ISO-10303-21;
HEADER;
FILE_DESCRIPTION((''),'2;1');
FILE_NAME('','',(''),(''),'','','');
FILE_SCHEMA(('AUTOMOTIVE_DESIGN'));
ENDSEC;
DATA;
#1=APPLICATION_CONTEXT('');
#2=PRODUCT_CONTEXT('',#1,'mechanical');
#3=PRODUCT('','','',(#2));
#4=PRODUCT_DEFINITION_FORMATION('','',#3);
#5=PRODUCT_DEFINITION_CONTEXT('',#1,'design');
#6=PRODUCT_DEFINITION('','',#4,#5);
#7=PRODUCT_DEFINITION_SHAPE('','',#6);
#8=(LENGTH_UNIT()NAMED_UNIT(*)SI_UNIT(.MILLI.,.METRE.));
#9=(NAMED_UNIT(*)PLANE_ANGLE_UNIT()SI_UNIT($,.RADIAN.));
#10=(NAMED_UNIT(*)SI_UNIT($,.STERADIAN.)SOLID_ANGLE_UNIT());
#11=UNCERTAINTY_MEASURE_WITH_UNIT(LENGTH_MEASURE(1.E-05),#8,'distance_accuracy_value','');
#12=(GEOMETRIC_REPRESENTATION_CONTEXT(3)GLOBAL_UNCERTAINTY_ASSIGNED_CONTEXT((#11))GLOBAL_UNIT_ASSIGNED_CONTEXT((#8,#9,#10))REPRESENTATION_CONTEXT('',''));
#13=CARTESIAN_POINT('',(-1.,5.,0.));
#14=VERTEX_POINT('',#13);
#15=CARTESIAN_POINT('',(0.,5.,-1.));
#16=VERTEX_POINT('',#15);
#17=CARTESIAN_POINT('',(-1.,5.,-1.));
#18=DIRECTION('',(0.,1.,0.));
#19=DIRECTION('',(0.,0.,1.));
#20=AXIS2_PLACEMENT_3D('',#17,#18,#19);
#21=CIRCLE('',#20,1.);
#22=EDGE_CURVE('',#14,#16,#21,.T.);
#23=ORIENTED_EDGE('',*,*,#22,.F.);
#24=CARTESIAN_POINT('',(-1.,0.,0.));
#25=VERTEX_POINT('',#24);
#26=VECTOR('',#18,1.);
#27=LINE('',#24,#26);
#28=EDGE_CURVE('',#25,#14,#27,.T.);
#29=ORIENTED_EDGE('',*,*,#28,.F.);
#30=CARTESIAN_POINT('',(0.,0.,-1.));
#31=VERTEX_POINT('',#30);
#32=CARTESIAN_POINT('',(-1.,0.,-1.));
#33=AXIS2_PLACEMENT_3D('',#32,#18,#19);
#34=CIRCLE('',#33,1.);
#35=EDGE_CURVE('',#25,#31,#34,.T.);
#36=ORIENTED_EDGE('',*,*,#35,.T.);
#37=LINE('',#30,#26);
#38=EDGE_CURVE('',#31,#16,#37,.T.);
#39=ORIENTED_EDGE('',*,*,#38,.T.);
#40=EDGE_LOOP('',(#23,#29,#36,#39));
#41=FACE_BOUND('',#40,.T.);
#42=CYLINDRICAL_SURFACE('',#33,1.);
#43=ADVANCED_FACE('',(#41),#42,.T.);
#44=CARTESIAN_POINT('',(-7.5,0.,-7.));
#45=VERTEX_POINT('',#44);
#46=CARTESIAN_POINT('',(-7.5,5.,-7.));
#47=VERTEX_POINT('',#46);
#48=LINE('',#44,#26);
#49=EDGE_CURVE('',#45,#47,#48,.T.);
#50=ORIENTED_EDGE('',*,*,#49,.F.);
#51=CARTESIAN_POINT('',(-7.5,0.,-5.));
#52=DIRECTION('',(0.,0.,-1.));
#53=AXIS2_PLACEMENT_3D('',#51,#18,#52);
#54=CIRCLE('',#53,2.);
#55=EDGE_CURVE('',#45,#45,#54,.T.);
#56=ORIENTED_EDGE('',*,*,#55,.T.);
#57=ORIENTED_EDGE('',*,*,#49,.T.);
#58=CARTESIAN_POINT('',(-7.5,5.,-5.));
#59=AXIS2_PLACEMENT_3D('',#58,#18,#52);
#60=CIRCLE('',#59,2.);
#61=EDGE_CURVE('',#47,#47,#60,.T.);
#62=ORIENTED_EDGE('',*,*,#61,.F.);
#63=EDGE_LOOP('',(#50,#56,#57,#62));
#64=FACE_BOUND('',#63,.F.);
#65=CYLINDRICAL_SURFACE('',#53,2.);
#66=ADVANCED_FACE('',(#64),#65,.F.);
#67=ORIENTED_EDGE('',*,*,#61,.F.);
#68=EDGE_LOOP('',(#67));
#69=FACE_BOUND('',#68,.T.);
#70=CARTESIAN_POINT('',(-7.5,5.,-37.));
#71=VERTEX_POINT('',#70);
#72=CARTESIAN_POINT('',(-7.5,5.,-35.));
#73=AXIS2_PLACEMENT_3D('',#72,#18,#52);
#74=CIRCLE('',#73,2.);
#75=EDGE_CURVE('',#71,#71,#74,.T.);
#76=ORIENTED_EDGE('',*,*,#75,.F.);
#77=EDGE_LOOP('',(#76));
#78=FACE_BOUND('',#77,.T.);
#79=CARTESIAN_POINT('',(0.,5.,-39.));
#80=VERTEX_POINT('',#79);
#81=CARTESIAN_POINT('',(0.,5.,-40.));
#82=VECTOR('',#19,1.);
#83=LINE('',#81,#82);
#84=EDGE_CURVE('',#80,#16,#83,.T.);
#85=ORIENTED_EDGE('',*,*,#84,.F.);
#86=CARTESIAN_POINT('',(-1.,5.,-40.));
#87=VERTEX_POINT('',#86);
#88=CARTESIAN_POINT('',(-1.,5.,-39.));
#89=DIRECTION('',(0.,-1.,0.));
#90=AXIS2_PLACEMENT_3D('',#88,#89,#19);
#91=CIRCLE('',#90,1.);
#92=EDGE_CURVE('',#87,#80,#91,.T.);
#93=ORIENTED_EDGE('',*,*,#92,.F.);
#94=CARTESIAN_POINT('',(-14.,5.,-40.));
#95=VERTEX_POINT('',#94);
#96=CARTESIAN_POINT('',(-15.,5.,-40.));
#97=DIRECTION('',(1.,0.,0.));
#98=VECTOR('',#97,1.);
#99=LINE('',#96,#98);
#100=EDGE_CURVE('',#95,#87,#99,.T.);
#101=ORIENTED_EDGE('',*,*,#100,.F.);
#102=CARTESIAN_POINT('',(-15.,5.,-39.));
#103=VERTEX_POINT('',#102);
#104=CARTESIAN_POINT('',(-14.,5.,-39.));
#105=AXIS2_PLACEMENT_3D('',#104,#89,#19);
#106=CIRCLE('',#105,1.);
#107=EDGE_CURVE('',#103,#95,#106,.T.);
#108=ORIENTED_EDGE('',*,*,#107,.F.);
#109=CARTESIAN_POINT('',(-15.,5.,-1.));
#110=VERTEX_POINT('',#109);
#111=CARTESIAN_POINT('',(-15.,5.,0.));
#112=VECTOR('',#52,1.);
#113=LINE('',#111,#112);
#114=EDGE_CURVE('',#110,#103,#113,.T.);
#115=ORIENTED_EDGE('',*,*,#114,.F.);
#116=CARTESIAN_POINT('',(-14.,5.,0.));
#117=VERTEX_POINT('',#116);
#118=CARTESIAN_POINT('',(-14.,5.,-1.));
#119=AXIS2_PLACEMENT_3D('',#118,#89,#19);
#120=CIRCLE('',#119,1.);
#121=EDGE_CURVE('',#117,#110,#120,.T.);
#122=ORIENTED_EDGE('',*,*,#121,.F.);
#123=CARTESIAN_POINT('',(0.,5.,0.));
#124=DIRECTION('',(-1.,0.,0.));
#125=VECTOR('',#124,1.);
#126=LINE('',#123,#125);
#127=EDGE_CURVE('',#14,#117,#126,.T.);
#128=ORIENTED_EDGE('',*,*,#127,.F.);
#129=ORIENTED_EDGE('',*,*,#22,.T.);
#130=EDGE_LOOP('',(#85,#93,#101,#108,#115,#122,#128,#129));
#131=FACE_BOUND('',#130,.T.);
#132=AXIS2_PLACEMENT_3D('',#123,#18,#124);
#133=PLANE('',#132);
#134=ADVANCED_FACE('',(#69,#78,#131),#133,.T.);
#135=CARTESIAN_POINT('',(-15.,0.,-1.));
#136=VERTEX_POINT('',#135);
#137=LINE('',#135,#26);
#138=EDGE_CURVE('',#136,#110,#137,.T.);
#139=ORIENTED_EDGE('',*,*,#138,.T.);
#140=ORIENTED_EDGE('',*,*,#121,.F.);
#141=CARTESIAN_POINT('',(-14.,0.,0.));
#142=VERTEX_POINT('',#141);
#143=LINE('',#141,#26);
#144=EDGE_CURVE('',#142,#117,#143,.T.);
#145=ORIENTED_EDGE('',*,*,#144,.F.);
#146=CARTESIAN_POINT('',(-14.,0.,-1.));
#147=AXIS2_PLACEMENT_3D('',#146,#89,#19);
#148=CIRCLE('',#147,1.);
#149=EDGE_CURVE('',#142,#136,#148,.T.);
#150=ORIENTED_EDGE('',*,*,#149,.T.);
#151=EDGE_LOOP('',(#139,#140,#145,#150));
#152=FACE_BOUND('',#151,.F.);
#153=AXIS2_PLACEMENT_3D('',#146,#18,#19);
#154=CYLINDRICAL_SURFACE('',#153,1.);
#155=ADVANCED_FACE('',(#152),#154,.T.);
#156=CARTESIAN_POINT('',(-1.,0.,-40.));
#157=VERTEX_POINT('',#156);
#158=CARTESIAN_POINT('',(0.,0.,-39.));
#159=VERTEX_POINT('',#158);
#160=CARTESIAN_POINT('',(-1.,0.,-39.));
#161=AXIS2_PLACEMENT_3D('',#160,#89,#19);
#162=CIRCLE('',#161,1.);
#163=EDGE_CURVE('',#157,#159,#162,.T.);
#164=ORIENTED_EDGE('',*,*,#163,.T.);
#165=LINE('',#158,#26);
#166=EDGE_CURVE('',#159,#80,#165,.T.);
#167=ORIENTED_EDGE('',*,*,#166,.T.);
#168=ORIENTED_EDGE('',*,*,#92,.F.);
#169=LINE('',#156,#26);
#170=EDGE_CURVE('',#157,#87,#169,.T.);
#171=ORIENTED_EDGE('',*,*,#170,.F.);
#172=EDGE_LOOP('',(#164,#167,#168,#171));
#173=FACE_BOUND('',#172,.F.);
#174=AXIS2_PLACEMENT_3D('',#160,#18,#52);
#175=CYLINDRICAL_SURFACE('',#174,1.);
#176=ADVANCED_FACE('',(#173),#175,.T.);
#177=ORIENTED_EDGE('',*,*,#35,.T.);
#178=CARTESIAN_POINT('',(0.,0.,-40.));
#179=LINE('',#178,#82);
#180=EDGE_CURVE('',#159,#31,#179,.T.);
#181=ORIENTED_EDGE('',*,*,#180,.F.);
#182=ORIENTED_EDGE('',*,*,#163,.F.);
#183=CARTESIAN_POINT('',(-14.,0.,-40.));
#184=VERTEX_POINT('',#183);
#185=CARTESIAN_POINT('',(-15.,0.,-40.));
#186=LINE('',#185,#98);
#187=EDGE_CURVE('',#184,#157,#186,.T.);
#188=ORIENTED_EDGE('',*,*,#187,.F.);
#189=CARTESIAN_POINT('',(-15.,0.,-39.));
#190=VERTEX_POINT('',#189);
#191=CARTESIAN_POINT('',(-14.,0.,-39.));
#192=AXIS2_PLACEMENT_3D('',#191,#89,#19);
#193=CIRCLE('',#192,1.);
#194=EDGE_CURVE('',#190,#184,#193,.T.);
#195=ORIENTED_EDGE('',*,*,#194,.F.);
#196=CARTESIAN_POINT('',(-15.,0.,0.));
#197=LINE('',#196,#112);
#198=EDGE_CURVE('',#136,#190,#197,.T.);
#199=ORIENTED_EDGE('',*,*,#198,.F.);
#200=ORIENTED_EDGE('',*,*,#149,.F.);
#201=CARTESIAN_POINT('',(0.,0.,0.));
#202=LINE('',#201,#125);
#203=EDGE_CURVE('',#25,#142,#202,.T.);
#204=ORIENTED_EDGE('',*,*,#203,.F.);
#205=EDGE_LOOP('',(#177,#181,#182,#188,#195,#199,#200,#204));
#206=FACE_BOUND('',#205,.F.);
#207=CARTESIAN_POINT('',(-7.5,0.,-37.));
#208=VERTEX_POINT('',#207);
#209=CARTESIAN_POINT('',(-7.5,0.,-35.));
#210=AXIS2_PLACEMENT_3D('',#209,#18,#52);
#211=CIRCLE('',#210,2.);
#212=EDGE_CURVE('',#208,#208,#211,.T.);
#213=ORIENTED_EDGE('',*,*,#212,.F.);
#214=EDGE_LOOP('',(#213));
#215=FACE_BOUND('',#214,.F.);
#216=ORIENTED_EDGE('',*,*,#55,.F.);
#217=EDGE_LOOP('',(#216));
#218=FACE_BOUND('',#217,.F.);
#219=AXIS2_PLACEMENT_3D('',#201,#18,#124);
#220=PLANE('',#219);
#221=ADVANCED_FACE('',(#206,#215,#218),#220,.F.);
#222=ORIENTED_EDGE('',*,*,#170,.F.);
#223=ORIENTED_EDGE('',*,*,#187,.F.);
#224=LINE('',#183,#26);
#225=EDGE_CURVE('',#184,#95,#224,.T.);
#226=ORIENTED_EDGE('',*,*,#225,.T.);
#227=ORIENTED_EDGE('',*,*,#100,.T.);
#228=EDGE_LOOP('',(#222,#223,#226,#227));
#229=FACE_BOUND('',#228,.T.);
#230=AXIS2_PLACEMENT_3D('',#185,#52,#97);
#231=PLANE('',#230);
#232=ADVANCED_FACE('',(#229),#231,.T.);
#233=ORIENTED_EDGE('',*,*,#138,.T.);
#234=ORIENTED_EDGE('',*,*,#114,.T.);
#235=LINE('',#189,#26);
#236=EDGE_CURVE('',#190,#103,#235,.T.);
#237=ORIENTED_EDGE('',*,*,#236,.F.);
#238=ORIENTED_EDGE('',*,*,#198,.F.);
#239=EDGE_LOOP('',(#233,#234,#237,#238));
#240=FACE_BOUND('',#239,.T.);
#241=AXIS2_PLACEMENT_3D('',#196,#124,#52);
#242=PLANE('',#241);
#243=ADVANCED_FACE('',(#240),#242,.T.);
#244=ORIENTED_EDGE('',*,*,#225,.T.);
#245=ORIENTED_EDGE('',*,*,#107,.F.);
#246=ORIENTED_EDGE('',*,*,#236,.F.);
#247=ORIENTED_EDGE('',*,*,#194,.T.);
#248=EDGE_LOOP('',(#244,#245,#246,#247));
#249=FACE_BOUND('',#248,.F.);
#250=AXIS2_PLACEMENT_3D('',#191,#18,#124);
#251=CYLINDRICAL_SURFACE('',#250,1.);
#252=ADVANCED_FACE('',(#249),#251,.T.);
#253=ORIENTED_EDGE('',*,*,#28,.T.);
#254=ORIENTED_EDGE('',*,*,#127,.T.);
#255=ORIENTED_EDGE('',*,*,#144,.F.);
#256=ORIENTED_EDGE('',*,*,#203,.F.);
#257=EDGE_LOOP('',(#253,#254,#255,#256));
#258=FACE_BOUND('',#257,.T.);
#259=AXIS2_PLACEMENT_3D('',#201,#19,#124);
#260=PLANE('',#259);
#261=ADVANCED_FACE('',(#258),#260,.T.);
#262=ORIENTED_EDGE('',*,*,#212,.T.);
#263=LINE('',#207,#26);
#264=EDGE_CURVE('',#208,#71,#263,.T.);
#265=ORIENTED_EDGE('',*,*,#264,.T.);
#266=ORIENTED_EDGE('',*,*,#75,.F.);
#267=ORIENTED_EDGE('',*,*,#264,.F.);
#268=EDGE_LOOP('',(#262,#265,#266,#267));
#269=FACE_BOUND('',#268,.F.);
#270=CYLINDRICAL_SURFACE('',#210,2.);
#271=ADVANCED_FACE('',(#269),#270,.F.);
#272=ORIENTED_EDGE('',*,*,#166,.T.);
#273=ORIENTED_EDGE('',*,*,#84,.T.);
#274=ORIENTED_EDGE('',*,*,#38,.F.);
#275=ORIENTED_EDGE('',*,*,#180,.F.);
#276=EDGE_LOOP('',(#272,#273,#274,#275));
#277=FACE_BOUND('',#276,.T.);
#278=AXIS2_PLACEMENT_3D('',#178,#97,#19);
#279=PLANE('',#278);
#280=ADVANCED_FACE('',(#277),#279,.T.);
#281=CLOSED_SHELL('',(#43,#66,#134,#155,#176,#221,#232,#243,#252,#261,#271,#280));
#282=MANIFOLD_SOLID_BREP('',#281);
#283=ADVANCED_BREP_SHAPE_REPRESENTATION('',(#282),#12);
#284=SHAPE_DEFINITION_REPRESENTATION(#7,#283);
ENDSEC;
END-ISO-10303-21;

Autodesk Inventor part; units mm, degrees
ref_plane "YZ Plane" through (0, 0, 0) normal (1, 0, 0) x (0, 1, 0)
ref_plane "XZ Plane" through (0, 0, 0) normal (0, 1, 0) x (-1, 0, 0)
ref_plane "XY Plane" through (0, 0, 0) normal (0, 0, 1) x (1, 0, 0)
sketch "Skizze1" plane through (0, 0, 0) normal (0, 1, 0) x (-1, 0, 0)
  line L0 (0, 0) -> (15, 0)
  line L1 (15, 0) -> (15, -40)
  line L2 (15, -40) -> (0, -40)
  line L3 (0, -40) -> (0, 0)
  dimension "d0" = 15
  dimension "d1" = 40
extrude "Extrusion1" add sketch "Skizze1" along normal blind 5
fillet "Rundung1" radius 1 4 edges at (-15, 2.5, 0) (0, 2.5, 0) (0, 2.5, -40) (-15, 2.5, -40)
sketch "Skizze2" plane through (0, 0, 0) normal (0, -1, 0) x (1, 0, 0)
  line L0 (-1, 0) -> (-14, 0) projected
  line L1 (0, -39) -> (0, -1) projected
  line L2 (-14, -40) -> (-1, -40) projected
  point P0 (0, 0)
  point P1 (-7.5, -5)
  point P2 (-7.5, -35)
  dimension "d5" = 5
  dimension "d6" = 5
  dimension "d7" = 7.5
  dimension "d8" = 7.5
  dimension "d9" = 30
hole "Bohrung1" at (-7.5, 0, -5) at (-7.5, 0, -35) direction (0, 1, 0) diameter 4 end through all
sketch "Skizze3" plane through (0, 0, 0) normal (0, -1, 0) x (1, 0, 0)
  line L0 (-1, 0) -> (-14, 0) projected
  line L1 (0, -39) -> (0, -1) projected
  point P0 (0, 0)
  point P1 (-7.5, -20)
  dimension "d17" = 20
  dimension "d18" = 7.5
properties part number "halter_test"
